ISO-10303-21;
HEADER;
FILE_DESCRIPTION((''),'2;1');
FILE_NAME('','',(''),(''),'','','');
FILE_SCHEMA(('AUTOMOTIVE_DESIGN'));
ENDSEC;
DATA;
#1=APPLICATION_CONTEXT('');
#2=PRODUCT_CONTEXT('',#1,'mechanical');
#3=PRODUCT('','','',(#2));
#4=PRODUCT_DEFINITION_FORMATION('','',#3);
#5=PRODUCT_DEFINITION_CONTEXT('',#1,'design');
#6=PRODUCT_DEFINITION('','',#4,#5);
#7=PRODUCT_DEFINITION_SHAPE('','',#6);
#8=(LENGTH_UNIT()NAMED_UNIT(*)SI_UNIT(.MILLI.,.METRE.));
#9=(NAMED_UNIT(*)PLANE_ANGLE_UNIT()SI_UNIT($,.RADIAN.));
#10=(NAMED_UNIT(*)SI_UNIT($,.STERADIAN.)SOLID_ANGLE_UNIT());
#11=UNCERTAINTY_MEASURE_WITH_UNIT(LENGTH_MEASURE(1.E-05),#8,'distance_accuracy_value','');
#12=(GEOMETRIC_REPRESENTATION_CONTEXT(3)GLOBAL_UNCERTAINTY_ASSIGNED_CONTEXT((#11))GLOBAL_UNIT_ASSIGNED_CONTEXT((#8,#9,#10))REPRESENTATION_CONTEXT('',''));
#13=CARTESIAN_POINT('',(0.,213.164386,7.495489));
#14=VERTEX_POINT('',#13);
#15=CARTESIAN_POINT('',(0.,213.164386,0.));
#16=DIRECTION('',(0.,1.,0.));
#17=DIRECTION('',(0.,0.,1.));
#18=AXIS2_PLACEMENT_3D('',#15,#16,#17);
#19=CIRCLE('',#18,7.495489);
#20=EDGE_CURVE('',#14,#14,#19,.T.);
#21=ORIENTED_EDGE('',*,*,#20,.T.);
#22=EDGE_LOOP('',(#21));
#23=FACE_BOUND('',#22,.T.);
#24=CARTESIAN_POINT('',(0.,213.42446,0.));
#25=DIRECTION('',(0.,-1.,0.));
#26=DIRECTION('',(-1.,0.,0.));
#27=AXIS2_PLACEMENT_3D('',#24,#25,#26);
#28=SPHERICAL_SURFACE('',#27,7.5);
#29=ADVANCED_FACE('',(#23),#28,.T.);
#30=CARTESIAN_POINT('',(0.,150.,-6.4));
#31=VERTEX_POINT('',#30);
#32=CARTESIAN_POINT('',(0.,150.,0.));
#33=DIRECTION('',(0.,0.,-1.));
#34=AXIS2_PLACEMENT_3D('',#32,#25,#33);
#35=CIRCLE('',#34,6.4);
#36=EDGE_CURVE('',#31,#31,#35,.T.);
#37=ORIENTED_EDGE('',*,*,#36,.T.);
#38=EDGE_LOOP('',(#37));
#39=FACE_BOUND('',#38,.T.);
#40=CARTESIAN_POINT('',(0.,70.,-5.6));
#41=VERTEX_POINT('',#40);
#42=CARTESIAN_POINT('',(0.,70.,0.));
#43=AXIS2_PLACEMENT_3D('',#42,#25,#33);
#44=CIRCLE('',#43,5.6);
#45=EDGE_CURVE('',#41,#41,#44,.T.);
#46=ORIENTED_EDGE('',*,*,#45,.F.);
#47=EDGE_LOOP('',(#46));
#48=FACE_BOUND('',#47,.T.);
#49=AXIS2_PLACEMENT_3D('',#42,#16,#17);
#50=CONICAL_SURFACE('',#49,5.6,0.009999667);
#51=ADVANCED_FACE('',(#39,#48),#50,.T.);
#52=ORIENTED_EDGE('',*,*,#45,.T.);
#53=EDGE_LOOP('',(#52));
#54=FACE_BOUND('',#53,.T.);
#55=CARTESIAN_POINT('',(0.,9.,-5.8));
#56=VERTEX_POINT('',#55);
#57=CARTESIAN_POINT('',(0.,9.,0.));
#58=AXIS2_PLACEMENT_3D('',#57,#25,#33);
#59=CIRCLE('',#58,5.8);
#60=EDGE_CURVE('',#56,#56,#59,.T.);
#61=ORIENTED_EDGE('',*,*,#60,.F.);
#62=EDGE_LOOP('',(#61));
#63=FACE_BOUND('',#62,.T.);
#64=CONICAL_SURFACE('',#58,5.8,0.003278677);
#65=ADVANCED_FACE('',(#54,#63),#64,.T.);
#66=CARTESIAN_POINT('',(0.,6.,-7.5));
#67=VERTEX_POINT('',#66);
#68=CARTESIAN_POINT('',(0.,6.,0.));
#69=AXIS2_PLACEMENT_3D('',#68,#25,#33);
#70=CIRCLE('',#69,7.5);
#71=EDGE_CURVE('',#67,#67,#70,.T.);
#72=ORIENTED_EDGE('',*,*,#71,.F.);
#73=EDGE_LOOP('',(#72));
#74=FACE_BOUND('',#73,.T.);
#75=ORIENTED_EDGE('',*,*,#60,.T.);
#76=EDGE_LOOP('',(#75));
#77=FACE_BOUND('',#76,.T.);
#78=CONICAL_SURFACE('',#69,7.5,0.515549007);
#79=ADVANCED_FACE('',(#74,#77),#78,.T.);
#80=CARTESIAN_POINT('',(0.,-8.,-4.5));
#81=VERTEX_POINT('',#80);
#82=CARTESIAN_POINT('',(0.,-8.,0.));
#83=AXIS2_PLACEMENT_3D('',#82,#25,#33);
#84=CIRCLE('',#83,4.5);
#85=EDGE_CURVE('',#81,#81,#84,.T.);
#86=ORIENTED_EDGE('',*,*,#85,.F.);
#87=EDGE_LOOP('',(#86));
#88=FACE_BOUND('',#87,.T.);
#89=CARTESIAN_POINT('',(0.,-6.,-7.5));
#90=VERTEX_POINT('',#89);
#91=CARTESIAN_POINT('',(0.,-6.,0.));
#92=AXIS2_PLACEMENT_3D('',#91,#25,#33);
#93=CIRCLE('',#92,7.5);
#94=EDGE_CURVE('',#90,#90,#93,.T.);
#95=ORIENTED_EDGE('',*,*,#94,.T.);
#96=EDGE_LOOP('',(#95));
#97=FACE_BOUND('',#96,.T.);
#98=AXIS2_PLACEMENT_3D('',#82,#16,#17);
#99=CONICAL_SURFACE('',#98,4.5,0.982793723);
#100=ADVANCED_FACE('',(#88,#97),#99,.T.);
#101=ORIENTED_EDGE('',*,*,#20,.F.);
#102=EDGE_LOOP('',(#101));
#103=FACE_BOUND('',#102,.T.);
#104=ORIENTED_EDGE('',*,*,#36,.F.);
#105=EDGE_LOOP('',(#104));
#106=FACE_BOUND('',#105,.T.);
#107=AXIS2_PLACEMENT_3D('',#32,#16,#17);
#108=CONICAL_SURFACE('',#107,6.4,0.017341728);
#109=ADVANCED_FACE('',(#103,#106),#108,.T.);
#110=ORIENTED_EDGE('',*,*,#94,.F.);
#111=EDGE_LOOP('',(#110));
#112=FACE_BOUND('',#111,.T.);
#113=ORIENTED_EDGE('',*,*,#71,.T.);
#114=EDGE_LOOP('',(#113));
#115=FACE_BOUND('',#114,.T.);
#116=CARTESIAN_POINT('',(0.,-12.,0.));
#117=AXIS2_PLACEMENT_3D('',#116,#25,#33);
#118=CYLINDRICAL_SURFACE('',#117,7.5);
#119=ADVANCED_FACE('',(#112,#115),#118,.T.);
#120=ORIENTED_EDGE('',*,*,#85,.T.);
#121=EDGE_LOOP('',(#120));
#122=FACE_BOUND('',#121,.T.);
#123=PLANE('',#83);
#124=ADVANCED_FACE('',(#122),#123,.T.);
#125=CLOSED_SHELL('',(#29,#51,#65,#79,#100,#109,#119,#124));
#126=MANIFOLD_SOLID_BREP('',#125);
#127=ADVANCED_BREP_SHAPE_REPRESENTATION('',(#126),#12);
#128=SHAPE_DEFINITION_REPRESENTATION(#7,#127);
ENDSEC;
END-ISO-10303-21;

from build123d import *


with BuildPart() as part:
    # Sketch1 → Diafisis_y_cabeza (revolve)
    with BuildSketch(Plane.XY, mode=Mode.PRIVATE) as diafisis_y_cabeza_sk:
        Polygon((0, -8), (4.5, -8), (7.5, -6), (7.5, 6), (5.8, 9), (5.6, 70), (6.4, 150), (7.5, 213.424459704), (0, 213.424459704), align=None)
    revolve(diafisis_y_cabeza_sk.sketch.rotate(Axis((0, -12, 0), (0, 1, 0)), 90), axis=Axis((0, -12, 0), (0, 1, 0)))

    # Sketch2 → Extremo_proximal (revolve)
    with BuildSketch(Plane.XY):
        with BuildLine():
            Line((0, 205.924459704), (0, 220.924459704))
            ThreePointArc((0, 220.924459704), (7.5, 213.424459704), (0, 205.924459704))
        make_face()
    revolve(axis=Axis((0, 201.924459704, 0), (0, 1, 0)))


solid = part.part
